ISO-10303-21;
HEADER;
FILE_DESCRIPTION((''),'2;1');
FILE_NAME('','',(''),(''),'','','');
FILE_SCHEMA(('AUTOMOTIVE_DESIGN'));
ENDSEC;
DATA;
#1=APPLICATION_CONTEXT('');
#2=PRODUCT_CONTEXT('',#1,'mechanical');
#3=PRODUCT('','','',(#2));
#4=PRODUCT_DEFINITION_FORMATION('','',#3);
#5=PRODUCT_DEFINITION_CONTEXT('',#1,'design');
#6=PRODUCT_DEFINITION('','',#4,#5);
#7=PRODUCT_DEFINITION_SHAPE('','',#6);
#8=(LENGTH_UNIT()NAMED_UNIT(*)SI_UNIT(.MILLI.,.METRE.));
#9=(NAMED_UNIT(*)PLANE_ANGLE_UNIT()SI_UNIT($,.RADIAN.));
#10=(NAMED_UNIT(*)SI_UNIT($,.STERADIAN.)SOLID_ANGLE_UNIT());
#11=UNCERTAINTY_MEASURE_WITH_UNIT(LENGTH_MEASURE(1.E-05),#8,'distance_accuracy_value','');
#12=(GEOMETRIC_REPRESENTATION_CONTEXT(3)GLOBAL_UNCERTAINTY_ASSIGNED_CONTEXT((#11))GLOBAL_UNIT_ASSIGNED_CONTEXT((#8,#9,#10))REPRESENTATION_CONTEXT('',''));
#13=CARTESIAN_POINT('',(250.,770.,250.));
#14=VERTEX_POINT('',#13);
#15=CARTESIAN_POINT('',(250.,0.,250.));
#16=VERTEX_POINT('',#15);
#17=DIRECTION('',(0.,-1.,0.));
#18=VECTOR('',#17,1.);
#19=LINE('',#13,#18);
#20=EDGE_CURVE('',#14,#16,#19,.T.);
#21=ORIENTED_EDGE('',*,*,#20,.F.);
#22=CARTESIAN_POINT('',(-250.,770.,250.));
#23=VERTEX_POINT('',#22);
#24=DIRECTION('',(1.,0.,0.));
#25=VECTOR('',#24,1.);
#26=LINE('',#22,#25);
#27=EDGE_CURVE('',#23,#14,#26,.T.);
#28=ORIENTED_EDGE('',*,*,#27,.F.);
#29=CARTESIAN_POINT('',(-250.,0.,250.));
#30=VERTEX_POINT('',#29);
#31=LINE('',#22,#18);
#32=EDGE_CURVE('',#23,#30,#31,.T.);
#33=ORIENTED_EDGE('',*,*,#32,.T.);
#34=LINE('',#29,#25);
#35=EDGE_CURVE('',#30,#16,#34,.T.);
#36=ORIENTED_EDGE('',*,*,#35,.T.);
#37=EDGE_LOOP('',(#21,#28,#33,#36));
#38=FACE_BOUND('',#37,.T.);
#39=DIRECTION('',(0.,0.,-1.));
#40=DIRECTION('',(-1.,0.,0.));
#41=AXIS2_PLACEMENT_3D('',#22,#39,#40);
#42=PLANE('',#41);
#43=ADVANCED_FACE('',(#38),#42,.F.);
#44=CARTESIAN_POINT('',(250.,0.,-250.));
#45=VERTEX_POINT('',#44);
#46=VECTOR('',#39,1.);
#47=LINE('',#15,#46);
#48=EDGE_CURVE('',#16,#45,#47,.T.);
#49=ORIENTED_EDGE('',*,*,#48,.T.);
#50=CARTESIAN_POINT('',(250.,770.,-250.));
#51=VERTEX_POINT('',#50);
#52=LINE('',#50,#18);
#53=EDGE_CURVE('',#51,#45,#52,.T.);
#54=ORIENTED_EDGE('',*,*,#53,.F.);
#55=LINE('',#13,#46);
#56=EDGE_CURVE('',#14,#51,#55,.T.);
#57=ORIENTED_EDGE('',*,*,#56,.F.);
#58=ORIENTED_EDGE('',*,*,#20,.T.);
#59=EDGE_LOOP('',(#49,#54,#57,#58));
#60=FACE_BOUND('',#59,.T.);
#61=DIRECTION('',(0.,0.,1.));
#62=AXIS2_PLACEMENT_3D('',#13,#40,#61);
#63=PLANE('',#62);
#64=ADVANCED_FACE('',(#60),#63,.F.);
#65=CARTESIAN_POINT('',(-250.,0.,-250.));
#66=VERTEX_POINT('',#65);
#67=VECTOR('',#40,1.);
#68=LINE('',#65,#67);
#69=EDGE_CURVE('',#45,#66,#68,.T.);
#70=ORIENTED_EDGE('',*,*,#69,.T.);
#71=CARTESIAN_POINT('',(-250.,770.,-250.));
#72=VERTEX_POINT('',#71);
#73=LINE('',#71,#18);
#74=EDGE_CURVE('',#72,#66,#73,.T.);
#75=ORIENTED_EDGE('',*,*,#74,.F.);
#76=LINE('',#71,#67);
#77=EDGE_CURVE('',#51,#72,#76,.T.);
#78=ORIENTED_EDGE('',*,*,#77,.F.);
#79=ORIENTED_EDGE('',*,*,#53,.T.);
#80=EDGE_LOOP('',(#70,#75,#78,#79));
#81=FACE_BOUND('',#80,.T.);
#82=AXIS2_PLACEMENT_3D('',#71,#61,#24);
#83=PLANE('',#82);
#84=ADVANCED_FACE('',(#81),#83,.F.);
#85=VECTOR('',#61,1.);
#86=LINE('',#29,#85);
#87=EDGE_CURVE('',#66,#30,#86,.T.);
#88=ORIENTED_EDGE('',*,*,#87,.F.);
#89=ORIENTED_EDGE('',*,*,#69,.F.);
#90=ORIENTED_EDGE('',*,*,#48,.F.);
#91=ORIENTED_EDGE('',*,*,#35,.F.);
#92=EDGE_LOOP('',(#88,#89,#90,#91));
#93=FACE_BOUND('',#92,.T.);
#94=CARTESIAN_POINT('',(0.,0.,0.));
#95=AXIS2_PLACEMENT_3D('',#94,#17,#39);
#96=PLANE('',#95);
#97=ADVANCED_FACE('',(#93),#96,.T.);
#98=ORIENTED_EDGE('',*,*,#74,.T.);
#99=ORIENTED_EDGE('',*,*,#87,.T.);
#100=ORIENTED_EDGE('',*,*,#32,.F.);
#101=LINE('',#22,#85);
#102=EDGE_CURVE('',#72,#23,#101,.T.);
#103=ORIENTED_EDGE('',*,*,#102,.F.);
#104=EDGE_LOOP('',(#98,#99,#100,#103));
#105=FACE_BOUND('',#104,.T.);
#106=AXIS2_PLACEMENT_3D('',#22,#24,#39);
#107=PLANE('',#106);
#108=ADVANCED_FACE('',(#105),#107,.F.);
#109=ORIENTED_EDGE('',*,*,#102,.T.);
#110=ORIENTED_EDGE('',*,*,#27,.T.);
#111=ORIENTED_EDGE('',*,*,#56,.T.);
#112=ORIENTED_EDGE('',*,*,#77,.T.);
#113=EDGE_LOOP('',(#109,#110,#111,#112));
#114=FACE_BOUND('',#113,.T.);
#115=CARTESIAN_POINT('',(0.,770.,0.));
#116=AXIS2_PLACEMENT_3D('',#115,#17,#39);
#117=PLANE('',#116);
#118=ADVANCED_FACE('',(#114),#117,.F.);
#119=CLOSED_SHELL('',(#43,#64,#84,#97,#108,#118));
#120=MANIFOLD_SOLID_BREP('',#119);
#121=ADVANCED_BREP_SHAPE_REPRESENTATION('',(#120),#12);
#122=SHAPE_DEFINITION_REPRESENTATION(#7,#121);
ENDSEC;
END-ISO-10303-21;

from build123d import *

# Parameters (mm, degrees)
CROQUIS1_W              = 500
CROQUIS1_H              = 500
SALIENTE_EXTRUIR1_DEPTH = 770


with BuildPart() as part:
    # Croquis1 → Saliente-Extruir1 (new body)
    with BuildSketch(Plane(origin=(0, 0, 0), x_dir=(1, 0, 0), z_dir=(0, 1, 0))):
        Rectangle(CROQUIS1_W, CROQUIS1_H)
    extrude(amount=SALIENTE_EXTRUIR1_DEPTH)


solid = part.part
